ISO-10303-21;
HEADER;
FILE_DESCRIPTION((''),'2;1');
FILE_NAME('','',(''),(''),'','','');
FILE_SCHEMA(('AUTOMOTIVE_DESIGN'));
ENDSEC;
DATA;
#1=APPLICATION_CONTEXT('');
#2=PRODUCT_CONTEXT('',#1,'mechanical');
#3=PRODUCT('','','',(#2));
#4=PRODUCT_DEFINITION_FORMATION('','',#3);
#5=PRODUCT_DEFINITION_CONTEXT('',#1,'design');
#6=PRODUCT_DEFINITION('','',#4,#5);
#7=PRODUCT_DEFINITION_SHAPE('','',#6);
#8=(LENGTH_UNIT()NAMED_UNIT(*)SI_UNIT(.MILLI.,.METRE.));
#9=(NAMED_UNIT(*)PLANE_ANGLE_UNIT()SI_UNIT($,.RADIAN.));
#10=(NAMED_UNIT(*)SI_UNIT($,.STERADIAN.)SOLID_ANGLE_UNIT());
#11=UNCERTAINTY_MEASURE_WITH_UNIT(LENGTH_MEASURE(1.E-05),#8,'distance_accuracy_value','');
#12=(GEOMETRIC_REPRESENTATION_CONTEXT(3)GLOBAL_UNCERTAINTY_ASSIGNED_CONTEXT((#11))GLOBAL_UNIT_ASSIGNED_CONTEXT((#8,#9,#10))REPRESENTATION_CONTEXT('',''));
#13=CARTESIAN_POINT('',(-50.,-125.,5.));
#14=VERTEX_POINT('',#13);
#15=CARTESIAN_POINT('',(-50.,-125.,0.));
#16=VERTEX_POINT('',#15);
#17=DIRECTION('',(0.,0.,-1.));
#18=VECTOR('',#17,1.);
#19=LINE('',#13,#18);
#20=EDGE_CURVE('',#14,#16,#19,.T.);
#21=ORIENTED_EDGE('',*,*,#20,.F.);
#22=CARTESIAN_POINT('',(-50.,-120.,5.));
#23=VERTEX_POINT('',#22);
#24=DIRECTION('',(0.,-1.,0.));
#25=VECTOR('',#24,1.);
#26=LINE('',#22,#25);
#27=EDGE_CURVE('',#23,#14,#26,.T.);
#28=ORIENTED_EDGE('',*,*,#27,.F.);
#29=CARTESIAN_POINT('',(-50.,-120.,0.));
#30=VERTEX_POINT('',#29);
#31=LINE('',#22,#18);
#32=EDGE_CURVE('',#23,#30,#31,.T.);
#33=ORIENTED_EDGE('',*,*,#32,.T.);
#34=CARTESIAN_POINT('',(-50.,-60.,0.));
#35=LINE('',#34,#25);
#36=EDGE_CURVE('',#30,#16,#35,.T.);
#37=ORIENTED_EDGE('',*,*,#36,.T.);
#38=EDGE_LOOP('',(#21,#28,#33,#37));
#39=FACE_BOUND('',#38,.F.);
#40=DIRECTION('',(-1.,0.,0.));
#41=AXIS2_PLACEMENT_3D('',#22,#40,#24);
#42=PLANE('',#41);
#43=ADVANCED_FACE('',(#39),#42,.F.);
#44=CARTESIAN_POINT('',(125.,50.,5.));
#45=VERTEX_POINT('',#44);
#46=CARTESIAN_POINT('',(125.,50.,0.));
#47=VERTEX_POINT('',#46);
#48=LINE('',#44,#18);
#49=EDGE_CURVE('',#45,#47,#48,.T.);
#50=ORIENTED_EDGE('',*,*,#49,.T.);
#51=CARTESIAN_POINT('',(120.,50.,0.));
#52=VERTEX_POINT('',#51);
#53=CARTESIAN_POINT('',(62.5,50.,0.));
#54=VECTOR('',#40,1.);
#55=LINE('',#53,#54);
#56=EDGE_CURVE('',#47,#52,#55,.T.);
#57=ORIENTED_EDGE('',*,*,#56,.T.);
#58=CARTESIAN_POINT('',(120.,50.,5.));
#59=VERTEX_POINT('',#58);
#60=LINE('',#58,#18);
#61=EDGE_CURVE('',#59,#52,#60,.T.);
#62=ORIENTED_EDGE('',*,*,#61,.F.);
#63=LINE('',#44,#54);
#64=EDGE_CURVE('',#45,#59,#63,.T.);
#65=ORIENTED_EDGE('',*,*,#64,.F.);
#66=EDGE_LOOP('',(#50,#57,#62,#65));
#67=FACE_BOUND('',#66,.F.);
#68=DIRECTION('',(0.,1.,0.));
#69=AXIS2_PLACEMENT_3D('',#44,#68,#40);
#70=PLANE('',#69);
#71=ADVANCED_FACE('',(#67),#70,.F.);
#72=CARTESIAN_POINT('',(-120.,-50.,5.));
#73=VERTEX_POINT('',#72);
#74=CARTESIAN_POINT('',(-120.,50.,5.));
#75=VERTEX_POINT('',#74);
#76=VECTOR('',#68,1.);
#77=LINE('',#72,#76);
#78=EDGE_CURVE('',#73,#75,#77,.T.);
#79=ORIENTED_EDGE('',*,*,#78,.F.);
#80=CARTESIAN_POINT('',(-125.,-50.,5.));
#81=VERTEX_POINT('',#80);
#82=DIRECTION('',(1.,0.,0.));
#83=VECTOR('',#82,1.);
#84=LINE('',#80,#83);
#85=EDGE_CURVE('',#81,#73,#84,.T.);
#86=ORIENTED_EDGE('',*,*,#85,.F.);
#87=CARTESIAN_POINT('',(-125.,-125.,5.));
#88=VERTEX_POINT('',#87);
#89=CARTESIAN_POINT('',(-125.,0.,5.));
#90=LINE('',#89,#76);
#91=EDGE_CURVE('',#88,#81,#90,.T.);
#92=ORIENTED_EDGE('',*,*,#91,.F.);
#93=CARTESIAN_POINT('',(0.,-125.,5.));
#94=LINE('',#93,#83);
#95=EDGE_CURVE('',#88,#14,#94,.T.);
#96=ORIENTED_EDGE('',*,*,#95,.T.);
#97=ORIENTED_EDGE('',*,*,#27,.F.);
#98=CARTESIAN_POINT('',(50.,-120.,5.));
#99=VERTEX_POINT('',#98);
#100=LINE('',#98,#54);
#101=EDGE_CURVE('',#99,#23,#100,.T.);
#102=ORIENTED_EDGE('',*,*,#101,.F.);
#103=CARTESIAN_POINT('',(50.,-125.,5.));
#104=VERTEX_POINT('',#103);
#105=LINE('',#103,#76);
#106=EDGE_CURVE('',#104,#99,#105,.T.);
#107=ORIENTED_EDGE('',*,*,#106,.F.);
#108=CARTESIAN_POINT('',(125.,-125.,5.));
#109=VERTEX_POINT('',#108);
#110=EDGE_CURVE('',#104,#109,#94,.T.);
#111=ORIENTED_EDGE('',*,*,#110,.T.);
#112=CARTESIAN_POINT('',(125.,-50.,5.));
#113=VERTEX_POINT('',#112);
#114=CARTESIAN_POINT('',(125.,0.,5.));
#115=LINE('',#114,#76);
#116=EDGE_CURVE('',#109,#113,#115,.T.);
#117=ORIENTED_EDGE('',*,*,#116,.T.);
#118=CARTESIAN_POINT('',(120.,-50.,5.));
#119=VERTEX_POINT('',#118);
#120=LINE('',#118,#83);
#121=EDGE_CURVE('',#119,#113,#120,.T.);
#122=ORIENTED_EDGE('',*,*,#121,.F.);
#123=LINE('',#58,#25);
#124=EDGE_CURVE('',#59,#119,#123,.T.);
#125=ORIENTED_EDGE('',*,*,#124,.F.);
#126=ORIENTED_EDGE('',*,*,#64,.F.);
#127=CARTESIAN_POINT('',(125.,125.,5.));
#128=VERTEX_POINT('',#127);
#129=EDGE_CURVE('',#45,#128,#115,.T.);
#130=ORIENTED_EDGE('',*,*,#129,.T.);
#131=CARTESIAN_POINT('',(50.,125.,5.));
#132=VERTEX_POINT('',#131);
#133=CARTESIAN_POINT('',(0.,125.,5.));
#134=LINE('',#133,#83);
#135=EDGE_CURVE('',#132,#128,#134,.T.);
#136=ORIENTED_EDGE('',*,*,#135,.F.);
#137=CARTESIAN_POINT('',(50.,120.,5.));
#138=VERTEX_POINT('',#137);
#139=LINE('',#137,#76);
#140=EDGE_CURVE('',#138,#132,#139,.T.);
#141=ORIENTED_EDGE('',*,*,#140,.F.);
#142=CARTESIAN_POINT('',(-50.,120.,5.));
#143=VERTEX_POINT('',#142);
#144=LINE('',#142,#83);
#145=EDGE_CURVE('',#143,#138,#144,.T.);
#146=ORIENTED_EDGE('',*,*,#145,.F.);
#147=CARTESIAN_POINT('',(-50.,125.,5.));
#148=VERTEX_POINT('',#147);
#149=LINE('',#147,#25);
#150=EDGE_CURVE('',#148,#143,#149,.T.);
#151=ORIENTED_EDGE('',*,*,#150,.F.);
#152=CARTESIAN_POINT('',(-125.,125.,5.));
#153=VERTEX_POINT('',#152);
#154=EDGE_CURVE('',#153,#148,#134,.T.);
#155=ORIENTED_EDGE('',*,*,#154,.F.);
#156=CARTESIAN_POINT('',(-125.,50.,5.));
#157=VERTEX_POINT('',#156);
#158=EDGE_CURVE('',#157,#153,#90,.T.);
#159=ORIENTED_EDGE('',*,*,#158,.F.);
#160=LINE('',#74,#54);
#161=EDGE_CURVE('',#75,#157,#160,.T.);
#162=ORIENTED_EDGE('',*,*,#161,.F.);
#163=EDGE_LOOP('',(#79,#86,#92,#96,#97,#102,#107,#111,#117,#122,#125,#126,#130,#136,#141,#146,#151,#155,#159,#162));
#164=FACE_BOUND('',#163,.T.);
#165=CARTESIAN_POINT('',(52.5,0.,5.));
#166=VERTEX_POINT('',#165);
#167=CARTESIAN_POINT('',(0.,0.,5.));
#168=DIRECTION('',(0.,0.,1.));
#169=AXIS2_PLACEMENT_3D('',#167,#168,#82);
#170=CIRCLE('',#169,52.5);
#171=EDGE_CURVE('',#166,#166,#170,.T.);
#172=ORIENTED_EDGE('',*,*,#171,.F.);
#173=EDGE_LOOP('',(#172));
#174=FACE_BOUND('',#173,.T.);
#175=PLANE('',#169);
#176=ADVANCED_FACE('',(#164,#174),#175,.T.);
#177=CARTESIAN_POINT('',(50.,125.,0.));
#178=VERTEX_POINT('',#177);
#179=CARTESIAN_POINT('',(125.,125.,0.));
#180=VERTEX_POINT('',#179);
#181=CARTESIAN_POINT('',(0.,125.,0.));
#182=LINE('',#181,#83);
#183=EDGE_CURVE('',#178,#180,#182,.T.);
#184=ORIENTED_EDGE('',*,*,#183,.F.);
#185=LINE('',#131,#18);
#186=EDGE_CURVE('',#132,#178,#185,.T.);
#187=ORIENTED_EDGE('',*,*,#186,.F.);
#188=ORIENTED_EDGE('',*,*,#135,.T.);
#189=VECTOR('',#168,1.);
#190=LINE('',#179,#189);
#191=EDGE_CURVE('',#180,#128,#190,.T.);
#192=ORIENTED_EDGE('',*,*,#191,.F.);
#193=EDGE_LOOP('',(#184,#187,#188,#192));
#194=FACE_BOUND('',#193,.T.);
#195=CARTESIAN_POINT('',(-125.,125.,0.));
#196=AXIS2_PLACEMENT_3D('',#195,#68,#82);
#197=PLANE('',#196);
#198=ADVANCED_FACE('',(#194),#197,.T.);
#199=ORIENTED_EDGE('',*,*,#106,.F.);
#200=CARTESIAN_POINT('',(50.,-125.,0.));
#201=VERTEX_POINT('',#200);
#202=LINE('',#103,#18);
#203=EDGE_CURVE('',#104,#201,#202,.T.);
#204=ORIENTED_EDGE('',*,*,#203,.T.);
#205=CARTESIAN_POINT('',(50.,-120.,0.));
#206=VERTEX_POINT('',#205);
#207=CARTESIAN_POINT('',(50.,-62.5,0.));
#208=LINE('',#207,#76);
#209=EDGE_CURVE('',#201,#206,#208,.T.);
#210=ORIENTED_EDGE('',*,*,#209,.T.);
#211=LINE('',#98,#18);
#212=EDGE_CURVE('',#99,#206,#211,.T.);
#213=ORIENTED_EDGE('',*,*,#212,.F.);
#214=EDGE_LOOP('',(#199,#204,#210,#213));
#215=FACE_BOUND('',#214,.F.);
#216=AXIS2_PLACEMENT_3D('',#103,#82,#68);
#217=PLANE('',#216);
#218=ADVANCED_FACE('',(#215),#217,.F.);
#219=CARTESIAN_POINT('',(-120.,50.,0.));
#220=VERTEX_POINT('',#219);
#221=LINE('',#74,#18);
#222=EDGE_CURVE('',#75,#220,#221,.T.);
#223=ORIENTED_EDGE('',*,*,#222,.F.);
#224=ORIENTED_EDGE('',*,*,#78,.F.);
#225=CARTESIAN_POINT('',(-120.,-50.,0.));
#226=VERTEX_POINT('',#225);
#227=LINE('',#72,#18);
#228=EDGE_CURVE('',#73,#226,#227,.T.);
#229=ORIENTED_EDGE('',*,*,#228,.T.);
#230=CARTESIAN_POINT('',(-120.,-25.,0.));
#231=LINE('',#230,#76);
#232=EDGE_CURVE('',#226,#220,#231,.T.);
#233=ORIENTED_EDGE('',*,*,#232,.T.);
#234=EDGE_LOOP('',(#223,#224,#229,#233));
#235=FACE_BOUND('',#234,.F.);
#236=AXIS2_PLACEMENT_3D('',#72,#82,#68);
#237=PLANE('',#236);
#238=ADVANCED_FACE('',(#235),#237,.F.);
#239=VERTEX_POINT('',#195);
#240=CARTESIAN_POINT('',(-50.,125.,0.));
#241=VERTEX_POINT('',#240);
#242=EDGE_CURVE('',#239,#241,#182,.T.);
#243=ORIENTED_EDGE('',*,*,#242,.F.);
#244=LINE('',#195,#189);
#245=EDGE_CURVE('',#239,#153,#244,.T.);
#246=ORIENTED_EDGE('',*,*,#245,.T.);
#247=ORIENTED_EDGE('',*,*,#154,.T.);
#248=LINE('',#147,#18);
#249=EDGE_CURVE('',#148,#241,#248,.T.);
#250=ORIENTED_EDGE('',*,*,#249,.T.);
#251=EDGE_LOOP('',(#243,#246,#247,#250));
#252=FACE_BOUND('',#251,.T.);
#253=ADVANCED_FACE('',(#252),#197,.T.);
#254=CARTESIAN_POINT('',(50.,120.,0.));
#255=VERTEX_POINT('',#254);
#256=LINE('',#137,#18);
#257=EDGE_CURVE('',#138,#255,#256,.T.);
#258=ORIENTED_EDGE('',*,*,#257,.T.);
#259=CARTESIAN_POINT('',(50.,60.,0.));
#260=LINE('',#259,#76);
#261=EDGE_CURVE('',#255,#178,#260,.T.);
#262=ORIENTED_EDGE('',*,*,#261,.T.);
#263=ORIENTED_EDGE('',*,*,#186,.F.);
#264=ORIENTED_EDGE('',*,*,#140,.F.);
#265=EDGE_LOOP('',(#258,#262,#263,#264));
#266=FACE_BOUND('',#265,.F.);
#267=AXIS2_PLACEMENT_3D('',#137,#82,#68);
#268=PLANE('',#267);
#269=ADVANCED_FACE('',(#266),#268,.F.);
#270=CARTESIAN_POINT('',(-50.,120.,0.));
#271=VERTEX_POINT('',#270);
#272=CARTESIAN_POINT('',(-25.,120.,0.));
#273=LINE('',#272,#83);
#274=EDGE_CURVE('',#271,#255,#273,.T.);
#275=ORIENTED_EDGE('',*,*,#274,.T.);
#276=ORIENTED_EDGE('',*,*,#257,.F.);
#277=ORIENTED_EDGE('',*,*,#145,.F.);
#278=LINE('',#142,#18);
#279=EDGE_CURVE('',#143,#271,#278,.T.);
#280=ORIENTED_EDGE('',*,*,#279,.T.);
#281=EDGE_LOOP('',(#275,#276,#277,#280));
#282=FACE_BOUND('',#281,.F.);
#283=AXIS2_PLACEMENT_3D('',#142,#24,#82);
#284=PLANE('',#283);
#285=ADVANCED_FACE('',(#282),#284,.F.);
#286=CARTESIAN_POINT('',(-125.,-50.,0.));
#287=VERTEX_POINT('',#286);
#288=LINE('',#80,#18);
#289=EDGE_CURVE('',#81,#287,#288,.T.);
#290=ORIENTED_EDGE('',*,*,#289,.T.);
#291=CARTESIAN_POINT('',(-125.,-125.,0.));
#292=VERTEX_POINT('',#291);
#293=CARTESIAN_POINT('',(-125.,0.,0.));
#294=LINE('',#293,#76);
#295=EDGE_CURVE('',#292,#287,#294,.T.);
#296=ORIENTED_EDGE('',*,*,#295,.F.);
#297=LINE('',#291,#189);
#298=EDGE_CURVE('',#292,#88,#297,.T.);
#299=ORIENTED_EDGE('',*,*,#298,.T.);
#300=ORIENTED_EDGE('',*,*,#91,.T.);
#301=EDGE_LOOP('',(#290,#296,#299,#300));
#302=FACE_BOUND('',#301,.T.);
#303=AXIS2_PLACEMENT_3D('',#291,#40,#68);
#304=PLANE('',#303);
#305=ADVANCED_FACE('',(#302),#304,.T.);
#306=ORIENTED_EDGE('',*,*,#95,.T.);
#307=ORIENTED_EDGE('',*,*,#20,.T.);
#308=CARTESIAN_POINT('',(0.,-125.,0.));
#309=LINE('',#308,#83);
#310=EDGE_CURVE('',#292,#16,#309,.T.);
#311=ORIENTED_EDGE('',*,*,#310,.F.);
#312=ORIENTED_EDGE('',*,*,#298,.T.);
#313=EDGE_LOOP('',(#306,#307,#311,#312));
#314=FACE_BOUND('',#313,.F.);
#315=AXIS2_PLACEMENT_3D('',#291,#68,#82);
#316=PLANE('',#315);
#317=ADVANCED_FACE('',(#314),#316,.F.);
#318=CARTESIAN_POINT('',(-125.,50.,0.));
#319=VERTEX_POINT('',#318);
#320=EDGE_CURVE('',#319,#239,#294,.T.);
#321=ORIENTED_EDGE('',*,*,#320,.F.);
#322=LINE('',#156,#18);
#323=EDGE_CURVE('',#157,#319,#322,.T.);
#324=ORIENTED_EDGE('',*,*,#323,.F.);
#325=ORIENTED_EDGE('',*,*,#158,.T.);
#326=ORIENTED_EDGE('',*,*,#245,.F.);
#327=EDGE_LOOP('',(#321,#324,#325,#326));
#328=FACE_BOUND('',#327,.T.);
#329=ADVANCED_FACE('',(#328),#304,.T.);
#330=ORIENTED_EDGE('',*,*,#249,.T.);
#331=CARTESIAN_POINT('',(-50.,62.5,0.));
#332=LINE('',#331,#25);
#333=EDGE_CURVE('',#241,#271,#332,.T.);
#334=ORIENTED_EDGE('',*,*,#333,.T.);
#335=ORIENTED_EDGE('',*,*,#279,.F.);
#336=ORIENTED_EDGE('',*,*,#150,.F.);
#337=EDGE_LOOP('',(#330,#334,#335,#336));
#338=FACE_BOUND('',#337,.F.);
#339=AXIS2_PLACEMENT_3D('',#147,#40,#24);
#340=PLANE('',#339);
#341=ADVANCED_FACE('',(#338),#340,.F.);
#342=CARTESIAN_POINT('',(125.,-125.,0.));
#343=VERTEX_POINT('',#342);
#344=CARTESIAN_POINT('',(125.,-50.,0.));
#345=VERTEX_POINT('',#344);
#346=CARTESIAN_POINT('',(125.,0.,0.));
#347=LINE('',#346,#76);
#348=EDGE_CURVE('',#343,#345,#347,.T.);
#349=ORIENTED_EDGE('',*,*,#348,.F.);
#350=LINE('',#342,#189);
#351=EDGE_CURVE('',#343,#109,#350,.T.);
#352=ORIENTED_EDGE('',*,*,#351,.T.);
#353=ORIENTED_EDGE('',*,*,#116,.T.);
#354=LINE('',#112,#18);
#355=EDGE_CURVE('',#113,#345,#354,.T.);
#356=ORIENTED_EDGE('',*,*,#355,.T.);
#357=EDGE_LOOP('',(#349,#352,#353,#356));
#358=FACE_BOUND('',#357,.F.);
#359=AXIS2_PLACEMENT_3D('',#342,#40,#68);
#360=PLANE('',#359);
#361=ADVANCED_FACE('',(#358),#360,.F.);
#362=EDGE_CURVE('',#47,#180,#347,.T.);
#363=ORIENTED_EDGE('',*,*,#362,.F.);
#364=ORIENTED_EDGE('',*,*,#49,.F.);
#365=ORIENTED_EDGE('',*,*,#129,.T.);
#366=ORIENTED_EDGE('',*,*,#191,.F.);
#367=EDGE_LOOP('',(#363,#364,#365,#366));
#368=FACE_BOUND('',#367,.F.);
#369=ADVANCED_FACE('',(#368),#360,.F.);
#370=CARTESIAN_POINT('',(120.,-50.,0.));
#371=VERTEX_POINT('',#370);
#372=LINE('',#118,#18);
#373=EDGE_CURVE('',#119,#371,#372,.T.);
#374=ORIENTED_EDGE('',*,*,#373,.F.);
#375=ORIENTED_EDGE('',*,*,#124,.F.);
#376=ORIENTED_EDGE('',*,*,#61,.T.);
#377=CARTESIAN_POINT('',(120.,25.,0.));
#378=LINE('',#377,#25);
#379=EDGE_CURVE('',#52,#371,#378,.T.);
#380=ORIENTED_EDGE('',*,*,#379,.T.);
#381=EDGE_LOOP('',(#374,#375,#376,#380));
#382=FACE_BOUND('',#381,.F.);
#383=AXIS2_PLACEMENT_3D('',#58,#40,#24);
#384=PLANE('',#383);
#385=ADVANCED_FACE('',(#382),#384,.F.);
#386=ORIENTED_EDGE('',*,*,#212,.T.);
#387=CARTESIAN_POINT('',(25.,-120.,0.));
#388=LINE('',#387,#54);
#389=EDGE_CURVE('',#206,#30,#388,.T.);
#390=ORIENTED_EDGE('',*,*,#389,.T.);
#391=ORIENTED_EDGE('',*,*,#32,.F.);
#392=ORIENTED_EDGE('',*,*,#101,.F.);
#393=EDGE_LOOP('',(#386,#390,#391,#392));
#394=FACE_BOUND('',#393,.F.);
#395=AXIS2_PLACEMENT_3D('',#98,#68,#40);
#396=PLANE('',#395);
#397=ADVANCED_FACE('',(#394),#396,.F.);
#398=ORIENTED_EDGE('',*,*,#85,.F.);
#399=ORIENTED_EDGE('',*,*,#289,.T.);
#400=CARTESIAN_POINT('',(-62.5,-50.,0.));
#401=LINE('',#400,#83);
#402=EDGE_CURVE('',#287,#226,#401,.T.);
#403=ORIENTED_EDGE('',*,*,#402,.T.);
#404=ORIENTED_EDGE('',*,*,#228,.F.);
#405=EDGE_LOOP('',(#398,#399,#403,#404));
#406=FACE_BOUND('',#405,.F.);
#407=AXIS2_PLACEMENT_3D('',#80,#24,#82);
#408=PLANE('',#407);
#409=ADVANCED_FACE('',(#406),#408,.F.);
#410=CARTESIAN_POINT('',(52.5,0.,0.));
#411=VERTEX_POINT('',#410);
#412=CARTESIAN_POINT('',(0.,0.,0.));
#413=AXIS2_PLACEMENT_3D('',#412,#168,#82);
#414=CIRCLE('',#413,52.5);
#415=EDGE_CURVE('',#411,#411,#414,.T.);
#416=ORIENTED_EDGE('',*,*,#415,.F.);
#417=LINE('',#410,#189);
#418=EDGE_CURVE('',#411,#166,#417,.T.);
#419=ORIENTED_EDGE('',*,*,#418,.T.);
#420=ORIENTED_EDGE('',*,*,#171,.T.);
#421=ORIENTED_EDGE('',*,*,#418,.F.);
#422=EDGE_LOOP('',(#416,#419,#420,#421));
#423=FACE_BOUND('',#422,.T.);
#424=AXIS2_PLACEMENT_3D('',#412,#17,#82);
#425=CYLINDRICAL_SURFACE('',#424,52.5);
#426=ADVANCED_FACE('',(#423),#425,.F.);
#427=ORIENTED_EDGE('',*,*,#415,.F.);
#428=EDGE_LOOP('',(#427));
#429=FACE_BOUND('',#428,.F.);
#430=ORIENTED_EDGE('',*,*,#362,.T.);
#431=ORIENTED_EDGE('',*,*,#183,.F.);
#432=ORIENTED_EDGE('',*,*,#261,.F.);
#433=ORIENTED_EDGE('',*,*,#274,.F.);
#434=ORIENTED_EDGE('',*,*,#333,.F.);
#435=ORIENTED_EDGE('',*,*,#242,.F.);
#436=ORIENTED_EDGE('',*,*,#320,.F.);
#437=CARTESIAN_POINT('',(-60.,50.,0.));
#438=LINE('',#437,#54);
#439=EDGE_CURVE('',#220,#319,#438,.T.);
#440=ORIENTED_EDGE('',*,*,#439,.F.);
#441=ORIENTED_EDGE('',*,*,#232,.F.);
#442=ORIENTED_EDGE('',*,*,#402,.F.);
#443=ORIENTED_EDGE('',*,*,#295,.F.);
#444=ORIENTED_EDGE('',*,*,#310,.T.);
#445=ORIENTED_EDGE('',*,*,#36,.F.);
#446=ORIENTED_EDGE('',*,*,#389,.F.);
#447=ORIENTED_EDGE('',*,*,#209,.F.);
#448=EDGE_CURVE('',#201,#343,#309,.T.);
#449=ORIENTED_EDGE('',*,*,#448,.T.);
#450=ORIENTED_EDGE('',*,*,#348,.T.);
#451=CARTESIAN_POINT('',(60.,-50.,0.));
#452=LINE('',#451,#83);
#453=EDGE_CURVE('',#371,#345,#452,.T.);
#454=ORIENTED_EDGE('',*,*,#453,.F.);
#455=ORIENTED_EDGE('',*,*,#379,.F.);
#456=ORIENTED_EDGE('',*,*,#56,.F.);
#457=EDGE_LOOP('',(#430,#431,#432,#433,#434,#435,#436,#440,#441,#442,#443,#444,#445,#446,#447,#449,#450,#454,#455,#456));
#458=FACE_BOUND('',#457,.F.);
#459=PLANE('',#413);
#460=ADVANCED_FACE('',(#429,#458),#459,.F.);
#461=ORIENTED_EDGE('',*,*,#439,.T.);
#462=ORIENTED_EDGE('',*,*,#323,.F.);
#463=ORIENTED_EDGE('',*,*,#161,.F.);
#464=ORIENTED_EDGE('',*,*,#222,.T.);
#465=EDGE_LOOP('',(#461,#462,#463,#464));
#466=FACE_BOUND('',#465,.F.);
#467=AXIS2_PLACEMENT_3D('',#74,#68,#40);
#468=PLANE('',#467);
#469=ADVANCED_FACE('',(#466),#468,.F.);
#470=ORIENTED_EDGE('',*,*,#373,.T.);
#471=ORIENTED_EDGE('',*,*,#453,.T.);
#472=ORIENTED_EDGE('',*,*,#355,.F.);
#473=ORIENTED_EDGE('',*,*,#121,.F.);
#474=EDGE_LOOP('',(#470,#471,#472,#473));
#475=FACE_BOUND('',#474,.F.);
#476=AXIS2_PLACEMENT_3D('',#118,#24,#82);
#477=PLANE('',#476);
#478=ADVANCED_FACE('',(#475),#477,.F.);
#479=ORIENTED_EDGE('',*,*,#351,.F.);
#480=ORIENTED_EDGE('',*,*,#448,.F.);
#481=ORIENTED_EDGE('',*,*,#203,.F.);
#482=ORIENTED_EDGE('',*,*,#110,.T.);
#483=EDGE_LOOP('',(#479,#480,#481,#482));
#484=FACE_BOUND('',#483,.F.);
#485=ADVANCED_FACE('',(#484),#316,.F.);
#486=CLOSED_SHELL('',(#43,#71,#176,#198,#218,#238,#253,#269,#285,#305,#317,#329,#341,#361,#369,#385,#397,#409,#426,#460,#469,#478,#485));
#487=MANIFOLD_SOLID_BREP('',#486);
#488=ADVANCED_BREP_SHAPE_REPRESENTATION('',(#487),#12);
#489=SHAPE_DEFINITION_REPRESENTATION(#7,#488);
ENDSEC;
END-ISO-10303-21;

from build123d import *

# Parameters (mm, degrees)
F0_W     = 250
F0_H     = 250
F0_R     = 52.5
F1_DEPTH = 5
F3_DEPTH = 5.001


with BuildPart() as f1:
    # F0 (on Top) → F1 (new body)
    with BuildSketch(Plane.XY):
        Rectangle(F0_W, F0_H)
        Circle(F0_R, mode=Mode.SUBTRACT)
    extrude(amount=F1_DEPTH)

    # F2 (on face) → F3 (cut, through all)
    with BuildSketch(Plane.XY.offset(5)):
        Polygon((0, 125), (-50, 125), (-50, 120), (0, 120), (50, 120), (50, 125), align=None)
        Polygon((-120, 50), (-125, 50), (-125, 0), (-125, -50), (-120, -50), (-120, 0), align=None)
        Polygon((-50, -120), (-50, -125), (0, -125), (50, -125), (50, -120), (0, -120), align=None)
        Polygon((120, -50), (125, -50), (125, 0), (125, 50), (120, 50), (120, 0), align=None)
    extrude(amount=-F3_DEPTH, mode=Mode.SUBTRACT)


solid = f1.part
